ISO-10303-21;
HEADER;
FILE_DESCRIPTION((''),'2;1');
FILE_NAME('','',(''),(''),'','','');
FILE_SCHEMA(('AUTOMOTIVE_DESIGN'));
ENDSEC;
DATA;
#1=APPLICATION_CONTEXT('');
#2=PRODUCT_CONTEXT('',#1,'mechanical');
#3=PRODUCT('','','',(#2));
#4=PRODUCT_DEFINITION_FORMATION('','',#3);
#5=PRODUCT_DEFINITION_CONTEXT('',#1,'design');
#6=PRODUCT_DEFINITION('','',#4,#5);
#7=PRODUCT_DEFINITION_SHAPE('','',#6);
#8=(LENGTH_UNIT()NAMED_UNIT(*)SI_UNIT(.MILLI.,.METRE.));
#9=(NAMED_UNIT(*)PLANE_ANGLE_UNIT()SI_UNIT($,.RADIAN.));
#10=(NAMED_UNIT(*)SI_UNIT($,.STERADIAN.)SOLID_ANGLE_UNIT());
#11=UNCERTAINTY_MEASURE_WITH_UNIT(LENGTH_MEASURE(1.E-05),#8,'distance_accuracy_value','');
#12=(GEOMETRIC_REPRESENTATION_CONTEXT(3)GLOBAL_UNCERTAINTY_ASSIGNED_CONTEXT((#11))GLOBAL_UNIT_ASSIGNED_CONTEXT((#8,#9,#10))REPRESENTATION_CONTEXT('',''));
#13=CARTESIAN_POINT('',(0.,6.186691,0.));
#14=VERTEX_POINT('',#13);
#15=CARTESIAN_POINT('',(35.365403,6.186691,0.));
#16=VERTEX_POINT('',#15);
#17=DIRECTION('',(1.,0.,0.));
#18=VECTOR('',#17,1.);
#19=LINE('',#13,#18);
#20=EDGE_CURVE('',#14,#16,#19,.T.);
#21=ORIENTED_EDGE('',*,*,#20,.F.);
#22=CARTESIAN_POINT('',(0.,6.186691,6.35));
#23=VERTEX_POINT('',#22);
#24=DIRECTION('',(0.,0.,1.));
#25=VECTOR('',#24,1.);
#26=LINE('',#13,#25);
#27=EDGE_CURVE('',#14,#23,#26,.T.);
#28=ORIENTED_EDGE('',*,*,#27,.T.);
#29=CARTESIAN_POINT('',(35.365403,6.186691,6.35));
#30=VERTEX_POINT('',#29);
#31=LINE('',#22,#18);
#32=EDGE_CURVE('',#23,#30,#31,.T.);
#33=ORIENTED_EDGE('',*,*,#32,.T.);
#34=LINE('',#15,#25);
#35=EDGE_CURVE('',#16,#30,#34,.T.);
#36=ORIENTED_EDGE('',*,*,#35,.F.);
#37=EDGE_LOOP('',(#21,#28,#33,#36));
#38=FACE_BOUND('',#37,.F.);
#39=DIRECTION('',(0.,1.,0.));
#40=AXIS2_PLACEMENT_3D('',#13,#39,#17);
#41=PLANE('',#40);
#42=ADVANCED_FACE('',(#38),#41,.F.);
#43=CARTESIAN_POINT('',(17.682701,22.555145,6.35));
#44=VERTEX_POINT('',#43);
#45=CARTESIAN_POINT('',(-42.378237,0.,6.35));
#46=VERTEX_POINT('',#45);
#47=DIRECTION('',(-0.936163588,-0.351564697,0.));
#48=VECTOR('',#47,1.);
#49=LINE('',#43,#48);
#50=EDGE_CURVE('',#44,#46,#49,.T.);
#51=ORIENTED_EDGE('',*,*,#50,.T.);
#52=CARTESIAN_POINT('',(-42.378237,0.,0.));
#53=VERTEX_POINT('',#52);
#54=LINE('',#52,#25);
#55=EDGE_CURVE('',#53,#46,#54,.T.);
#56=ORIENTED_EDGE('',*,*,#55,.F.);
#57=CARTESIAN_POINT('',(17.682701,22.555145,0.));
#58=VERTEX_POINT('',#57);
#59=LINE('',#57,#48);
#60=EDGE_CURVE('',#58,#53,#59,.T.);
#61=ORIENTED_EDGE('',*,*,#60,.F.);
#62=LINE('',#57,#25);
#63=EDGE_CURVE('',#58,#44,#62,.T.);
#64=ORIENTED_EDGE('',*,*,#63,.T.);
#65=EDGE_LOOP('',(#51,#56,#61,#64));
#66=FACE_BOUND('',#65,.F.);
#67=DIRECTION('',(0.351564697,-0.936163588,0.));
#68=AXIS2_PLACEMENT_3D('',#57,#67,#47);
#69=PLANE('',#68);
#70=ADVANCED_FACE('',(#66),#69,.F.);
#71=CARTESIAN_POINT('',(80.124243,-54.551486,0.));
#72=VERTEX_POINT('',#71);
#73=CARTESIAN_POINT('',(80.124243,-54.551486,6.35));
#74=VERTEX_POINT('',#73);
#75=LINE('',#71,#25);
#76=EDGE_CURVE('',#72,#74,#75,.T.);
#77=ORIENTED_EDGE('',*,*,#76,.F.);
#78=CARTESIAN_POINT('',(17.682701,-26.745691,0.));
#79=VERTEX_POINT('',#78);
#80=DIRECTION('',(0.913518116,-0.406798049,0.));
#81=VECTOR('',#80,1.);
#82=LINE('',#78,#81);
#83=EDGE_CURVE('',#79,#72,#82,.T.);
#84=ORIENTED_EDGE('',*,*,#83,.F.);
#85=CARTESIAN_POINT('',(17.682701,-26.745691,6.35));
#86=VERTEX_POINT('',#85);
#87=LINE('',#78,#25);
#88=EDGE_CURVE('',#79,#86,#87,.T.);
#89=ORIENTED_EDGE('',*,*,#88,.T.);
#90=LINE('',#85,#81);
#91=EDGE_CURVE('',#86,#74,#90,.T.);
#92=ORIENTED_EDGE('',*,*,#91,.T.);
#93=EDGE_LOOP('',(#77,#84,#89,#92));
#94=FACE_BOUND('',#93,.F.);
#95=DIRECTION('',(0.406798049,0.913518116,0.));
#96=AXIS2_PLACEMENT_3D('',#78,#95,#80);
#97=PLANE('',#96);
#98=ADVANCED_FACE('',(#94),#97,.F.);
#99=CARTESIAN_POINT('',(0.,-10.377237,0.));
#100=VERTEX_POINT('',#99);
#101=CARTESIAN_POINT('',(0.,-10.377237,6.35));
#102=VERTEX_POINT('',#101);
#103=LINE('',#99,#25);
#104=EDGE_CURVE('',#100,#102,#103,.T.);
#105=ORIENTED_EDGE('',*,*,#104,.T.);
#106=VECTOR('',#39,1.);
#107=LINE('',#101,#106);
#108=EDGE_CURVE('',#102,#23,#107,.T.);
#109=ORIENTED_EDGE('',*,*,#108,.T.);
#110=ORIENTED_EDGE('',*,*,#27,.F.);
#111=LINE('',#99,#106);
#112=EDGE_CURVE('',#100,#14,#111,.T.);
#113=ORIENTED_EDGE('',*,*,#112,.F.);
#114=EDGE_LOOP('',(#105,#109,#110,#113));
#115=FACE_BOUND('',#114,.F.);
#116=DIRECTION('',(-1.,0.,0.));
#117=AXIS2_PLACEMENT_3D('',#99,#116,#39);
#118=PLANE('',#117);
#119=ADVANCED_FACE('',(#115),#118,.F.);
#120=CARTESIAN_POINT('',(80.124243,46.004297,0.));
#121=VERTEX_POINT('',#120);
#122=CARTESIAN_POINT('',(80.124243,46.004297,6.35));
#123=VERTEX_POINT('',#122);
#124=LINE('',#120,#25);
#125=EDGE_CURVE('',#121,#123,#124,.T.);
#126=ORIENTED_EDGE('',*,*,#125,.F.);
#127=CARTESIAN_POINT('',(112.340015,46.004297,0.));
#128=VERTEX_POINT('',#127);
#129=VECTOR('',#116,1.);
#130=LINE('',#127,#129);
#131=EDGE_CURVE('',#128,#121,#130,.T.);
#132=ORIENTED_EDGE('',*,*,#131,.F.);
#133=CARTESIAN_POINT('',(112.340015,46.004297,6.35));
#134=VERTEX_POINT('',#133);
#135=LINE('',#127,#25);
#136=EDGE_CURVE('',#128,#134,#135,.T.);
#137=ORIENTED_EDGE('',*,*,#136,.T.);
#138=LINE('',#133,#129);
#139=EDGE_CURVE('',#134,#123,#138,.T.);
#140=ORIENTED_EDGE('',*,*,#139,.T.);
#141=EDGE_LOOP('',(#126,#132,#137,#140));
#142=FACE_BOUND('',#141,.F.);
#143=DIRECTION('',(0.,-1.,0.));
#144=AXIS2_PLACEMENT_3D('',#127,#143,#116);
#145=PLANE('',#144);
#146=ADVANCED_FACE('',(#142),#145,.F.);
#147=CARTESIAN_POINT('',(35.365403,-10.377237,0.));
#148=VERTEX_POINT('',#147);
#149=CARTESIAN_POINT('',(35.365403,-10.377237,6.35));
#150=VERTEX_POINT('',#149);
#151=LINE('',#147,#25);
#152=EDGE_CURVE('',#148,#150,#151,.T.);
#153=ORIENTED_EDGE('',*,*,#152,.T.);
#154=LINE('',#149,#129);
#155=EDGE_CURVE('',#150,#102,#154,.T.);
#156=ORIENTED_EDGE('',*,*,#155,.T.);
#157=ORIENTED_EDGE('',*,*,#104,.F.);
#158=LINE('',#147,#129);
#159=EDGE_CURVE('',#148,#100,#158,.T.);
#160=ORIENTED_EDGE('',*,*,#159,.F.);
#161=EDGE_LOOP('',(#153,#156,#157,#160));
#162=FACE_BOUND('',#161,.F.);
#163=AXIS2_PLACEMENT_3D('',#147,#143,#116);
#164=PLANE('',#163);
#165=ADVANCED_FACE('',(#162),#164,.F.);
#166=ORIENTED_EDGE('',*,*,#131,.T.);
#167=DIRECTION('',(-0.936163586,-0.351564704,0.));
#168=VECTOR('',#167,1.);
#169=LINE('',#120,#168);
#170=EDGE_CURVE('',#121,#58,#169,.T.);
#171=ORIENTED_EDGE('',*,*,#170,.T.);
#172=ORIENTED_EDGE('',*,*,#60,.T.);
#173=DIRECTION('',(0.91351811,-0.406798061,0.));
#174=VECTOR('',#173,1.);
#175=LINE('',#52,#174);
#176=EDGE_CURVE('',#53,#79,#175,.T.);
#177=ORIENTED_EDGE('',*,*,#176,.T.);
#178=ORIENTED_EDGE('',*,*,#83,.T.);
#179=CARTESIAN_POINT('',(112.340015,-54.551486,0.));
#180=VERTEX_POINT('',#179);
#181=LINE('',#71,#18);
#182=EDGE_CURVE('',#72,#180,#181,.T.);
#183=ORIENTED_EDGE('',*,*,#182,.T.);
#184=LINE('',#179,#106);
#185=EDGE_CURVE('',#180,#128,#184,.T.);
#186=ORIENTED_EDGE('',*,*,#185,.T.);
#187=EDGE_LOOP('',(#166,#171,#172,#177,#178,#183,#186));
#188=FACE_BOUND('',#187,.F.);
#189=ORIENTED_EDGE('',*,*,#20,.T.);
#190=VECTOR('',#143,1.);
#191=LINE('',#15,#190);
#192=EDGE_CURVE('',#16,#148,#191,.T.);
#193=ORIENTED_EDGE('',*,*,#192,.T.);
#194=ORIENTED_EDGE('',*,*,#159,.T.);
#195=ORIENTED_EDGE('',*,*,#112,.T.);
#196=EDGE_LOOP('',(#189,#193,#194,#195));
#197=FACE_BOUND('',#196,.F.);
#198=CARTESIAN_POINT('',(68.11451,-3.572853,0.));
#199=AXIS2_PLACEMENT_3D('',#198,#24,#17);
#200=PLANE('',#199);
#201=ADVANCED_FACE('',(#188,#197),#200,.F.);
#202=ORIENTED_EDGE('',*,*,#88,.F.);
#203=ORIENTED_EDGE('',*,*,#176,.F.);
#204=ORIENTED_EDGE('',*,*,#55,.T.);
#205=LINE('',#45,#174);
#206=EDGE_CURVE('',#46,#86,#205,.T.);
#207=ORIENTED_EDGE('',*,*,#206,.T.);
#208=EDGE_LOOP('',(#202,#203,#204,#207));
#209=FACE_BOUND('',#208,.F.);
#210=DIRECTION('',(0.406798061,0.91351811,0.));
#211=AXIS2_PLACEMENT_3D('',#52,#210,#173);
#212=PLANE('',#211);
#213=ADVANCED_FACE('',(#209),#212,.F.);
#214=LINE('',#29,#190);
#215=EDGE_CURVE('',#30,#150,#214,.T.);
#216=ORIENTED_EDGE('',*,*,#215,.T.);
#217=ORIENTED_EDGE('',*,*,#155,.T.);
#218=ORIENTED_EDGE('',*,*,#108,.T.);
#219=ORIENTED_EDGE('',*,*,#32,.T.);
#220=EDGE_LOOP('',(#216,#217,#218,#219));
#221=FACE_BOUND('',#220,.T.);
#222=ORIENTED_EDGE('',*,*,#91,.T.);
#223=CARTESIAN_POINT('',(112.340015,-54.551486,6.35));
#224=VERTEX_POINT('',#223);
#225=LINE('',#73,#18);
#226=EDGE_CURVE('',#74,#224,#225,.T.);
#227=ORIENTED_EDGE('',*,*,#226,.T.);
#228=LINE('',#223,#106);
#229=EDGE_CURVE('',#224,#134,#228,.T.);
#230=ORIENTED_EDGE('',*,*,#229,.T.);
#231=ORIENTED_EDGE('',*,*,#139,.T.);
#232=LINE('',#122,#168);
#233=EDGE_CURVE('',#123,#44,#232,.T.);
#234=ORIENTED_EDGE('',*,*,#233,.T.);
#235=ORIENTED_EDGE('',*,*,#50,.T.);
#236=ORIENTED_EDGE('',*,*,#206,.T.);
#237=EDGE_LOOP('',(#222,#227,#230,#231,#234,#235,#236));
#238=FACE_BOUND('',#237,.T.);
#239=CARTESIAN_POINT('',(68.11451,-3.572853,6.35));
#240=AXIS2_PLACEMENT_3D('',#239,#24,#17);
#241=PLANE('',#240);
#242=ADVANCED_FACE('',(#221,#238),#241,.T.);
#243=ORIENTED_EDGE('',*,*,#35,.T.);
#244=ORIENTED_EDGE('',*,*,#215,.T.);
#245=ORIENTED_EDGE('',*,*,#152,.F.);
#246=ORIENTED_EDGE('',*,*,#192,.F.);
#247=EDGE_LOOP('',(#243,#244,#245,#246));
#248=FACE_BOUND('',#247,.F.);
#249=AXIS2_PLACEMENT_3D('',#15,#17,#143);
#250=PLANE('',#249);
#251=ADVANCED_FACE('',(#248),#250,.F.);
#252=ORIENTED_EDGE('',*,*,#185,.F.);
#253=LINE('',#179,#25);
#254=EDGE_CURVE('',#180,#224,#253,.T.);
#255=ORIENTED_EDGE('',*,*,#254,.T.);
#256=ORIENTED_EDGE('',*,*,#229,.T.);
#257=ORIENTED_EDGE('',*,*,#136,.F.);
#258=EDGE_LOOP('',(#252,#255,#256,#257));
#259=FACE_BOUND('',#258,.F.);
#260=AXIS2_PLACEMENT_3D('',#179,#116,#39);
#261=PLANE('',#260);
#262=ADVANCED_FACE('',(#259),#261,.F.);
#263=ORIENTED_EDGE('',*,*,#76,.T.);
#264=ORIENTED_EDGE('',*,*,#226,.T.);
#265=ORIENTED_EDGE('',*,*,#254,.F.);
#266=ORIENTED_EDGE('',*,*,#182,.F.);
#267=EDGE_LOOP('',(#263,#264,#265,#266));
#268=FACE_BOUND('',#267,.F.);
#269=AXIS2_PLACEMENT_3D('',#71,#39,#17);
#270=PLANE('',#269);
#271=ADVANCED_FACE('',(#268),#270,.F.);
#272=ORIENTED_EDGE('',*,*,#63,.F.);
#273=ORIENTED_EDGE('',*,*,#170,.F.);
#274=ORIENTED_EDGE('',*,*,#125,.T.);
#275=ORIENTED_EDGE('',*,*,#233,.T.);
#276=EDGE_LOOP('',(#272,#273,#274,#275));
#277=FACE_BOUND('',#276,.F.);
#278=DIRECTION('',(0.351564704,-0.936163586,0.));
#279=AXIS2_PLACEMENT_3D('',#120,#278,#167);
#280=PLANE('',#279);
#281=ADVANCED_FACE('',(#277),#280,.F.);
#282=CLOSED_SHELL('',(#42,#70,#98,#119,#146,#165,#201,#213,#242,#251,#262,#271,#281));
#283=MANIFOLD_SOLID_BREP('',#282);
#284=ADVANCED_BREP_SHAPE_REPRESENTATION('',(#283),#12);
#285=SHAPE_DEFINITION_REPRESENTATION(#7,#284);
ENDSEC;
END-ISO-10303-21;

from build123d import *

# Parameters (mm, degrees)
F1_DEPTH = 6.35


with BuildPart() as f1:
    # F0 (on Top) → F1 (new body)
    with BuildSketch(Plane.XY):
        Polygon((112.340015, -54.551486), (112.340015, 46.004297), (80.124243, 46.004297), (17.682701, 22.555145), (17.682701, 6.186691), (35.365403, 6.186691), (35.365403, -10.377237), (17.682701, -10.377237), (17.682701, -26.745691), (80.124243, -54.551486), align=None)
        Polygon((17.682701, 22.555145), (-42.378237, 0), (17.682701, -26.745691), (17.682701, -10.377237), (0, -10.377237), (0, 6.186691), (17.682701, 6.186691), align=None)
    extrude(amount=F1_DEPTH)


solid = f1.part
